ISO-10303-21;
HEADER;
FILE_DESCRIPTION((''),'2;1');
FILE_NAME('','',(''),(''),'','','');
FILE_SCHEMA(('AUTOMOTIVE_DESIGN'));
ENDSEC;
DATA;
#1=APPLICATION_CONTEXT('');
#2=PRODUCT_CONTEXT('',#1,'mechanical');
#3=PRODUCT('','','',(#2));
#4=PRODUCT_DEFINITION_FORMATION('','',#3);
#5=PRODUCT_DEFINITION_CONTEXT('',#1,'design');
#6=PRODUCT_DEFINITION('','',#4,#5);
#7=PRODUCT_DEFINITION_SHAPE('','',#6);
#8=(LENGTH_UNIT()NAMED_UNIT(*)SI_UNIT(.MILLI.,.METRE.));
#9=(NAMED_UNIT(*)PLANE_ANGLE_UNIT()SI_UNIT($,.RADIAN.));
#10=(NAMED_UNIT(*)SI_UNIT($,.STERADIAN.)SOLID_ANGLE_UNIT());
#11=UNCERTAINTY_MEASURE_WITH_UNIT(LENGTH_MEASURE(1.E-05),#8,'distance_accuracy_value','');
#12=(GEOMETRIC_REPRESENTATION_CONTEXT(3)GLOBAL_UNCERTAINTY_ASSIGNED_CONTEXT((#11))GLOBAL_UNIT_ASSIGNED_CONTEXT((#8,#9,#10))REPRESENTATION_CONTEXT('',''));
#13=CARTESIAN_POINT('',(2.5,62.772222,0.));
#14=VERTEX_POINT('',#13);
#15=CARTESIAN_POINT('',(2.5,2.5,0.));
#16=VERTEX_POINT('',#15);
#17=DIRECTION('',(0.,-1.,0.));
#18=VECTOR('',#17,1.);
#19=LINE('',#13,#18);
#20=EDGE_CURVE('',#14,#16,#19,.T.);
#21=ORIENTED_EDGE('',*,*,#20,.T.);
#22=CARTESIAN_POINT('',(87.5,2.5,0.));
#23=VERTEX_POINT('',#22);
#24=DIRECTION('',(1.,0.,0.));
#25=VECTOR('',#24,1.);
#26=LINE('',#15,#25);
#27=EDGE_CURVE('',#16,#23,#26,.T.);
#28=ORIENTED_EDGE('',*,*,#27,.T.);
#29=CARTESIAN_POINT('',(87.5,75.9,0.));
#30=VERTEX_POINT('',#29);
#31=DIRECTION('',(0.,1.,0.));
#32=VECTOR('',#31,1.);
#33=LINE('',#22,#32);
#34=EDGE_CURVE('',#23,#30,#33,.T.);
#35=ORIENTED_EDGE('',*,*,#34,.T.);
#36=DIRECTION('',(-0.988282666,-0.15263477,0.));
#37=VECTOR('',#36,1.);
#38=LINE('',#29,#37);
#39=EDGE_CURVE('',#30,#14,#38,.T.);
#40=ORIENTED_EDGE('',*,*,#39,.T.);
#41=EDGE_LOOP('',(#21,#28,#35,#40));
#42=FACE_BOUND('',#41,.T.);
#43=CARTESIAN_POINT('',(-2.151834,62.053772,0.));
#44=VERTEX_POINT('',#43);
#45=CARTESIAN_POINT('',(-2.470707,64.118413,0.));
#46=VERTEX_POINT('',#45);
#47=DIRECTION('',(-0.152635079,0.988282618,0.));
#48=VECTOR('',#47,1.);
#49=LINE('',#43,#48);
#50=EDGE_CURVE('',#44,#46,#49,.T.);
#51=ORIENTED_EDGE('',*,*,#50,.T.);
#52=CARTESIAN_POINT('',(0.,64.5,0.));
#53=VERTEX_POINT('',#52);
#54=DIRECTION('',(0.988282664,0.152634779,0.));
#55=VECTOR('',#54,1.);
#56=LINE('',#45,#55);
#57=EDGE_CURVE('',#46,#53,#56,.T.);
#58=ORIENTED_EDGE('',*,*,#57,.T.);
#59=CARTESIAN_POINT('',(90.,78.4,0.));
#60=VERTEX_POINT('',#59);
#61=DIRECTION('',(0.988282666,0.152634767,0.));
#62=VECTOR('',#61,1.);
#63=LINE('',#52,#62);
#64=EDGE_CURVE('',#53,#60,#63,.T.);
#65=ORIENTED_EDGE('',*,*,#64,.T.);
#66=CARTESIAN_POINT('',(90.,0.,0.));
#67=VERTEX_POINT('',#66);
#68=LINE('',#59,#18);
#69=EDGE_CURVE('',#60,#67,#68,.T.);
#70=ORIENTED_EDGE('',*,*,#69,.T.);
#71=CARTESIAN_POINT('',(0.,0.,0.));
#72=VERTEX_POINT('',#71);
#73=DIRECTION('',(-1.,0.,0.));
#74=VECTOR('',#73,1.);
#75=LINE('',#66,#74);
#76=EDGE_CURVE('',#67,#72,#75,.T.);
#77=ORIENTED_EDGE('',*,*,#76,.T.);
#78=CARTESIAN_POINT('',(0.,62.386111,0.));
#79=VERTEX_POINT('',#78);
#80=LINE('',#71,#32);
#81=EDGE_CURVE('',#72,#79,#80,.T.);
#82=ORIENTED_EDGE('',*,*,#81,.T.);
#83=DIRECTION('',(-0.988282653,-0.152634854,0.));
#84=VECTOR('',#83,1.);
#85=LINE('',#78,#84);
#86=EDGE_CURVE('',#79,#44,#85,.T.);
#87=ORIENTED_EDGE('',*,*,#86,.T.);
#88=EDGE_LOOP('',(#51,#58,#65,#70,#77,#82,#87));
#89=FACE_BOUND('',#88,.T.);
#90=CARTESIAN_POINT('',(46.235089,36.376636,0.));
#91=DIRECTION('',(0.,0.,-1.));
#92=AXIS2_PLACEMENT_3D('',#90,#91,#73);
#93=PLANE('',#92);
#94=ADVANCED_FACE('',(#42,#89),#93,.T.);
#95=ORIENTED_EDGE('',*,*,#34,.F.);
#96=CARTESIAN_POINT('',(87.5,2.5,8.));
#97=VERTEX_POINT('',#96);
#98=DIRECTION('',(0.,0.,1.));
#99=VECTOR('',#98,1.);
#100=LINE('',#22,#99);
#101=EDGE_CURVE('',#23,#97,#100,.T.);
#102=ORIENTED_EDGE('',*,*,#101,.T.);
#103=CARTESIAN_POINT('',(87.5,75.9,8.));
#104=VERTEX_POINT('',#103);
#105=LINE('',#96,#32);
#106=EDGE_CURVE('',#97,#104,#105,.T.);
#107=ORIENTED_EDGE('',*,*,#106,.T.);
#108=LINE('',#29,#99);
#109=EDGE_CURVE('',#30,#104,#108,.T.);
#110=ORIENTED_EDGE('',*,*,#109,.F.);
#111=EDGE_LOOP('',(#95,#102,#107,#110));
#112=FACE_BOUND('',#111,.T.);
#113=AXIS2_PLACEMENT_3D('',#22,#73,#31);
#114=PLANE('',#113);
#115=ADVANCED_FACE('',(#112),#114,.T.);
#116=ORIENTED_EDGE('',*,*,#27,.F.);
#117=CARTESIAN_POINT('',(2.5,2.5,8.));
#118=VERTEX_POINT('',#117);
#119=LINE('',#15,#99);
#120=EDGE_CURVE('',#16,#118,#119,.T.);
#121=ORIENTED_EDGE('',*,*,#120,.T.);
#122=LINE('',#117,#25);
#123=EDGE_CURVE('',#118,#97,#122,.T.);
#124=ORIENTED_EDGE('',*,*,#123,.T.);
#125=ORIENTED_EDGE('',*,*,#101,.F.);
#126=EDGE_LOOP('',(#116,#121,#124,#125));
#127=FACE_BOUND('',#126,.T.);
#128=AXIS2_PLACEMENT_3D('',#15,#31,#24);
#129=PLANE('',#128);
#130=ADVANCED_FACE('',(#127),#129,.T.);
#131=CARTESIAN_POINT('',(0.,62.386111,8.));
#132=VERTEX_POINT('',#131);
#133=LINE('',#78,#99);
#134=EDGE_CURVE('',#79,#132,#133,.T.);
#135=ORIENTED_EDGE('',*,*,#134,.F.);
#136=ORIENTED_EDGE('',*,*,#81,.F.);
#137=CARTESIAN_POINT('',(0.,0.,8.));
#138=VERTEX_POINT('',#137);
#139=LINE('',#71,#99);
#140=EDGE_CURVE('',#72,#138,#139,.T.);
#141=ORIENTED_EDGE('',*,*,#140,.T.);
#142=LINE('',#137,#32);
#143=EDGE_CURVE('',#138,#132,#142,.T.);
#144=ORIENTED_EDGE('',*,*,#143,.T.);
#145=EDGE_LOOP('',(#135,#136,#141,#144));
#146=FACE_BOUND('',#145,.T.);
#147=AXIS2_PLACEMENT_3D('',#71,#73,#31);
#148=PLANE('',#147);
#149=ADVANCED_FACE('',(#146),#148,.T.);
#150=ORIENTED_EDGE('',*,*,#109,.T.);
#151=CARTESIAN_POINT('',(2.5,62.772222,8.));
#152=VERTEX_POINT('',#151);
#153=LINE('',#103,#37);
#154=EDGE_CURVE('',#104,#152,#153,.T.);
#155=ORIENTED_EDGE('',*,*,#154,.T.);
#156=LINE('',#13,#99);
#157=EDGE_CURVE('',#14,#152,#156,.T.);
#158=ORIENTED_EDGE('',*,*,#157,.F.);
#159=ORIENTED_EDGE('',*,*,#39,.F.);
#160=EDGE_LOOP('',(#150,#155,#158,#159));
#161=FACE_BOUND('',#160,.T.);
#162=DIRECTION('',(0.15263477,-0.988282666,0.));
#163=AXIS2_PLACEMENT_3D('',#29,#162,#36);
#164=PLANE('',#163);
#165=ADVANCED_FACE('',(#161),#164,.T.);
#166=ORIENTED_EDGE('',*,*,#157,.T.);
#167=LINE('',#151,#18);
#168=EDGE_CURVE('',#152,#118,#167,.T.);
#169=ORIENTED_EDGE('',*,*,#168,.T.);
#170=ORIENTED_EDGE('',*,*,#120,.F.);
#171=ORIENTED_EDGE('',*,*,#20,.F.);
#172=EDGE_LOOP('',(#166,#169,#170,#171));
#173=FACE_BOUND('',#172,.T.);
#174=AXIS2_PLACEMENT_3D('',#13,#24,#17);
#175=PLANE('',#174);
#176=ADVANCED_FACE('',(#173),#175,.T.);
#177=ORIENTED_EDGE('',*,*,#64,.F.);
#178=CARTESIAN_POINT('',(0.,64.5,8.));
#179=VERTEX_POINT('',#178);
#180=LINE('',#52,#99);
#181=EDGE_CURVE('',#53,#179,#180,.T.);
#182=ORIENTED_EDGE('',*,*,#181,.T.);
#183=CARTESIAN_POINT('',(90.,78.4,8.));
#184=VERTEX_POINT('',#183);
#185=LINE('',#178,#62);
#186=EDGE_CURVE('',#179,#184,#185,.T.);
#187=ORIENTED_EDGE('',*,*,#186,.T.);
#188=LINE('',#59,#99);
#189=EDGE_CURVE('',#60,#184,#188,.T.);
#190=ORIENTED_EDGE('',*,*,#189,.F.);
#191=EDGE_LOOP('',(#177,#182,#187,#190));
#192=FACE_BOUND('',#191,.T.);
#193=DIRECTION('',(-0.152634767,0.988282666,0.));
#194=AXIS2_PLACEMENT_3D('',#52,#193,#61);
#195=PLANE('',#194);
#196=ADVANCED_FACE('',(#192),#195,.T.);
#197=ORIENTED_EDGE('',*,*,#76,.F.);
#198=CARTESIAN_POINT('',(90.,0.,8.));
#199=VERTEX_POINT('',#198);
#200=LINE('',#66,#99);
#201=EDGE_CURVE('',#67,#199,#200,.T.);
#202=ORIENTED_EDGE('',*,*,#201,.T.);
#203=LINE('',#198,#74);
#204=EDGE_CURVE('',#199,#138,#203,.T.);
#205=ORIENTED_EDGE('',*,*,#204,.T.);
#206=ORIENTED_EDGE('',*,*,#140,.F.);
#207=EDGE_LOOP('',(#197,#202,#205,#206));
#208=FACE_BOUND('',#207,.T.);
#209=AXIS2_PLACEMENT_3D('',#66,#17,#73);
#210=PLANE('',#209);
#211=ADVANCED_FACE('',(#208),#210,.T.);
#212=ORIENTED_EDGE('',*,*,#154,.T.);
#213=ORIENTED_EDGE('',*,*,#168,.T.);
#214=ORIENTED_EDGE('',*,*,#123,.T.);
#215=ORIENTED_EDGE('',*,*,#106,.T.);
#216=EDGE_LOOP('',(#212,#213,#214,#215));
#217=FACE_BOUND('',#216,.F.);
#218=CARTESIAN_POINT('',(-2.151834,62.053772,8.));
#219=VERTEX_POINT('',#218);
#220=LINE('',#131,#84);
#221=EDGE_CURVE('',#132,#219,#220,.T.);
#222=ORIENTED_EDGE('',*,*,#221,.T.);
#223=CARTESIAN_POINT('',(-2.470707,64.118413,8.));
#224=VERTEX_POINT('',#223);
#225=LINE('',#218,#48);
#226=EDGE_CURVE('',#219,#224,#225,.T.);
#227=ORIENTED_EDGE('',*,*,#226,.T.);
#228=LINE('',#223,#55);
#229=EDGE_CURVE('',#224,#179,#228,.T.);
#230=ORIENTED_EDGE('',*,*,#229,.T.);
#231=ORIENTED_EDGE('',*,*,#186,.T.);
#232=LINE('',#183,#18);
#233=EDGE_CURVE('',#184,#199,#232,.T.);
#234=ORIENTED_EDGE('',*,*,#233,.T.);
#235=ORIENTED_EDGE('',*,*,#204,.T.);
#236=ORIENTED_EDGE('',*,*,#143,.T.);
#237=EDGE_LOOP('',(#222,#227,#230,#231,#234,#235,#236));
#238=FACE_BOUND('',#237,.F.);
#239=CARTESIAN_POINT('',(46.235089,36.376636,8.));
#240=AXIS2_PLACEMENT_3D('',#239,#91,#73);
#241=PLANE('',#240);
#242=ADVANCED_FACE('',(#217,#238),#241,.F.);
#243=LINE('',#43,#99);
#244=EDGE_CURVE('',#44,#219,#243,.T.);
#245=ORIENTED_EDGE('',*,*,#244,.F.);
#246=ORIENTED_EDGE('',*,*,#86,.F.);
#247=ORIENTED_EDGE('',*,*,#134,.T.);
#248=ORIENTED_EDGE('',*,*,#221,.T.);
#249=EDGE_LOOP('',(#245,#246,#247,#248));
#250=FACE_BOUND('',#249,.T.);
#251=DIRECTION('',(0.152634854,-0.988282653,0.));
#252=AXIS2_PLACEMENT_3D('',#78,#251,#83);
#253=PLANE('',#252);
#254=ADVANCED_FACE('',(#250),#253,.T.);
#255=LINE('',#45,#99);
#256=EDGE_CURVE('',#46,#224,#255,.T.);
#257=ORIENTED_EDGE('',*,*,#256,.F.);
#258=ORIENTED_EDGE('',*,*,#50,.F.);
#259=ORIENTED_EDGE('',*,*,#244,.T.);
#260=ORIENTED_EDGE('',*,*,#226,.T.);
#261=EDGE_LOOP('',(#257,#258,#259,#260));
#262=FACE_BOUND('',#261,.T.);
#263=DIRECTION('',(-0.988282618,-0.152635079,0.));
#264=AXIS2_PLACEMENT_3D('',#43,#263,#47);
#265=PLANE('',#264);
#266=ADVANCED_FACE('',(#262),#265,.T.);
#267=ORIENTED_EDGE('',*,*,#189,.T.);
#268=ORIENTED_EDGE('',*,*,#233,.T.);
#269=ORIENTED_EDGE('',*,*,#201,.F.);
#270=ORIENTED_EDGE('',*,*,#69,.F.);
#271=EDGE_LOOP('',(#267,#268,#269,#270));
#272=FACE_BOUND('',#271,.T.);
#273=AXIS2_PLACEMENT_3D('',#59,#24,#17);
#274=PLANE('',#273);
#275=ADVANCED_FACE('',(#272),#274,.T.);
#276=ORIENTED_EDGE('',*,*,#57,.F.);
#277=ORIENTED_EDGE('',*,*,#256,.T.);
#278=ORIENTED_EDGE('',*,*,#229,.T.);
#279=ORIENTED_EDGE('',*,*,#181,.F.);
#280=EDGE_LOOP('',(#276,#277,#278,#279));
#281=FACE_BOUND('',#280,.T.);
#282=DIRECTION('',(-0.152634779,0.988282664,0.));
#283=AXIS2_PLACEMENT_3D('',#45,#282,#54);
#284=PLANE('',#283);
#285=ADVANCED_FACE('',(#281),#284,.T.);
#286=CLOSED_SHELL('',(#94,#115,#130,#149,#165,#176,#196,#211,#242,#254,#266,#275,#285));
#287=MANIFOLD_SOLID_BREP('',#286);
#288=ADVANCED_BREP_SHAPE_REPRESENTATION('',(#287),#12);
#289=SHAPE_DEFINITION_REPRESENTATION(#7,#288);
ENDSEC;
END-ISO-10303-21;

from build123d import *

# Parameters (mm, degrees)
PAD_DEPTH = 8


with BuildPart() as part:
    # Sketch → Pad (new body)
    with BuildSketch(Plane.XY):
        Polygon((0, 0), (0, 62.386111), (-2.151834, 62.053772), (-2.470707, 64.118413), (0, 64.5), (90, 78.4), (90, 0), align=None)
        Polygon((2.5, 2.5), (87.5, 2.5), (87.5, 75.9), (2.5, 62.772222), align=None, mode=Mode.SUBTRACT)
    extrude(amount=PAD_DEPTH)


solid = part.part
